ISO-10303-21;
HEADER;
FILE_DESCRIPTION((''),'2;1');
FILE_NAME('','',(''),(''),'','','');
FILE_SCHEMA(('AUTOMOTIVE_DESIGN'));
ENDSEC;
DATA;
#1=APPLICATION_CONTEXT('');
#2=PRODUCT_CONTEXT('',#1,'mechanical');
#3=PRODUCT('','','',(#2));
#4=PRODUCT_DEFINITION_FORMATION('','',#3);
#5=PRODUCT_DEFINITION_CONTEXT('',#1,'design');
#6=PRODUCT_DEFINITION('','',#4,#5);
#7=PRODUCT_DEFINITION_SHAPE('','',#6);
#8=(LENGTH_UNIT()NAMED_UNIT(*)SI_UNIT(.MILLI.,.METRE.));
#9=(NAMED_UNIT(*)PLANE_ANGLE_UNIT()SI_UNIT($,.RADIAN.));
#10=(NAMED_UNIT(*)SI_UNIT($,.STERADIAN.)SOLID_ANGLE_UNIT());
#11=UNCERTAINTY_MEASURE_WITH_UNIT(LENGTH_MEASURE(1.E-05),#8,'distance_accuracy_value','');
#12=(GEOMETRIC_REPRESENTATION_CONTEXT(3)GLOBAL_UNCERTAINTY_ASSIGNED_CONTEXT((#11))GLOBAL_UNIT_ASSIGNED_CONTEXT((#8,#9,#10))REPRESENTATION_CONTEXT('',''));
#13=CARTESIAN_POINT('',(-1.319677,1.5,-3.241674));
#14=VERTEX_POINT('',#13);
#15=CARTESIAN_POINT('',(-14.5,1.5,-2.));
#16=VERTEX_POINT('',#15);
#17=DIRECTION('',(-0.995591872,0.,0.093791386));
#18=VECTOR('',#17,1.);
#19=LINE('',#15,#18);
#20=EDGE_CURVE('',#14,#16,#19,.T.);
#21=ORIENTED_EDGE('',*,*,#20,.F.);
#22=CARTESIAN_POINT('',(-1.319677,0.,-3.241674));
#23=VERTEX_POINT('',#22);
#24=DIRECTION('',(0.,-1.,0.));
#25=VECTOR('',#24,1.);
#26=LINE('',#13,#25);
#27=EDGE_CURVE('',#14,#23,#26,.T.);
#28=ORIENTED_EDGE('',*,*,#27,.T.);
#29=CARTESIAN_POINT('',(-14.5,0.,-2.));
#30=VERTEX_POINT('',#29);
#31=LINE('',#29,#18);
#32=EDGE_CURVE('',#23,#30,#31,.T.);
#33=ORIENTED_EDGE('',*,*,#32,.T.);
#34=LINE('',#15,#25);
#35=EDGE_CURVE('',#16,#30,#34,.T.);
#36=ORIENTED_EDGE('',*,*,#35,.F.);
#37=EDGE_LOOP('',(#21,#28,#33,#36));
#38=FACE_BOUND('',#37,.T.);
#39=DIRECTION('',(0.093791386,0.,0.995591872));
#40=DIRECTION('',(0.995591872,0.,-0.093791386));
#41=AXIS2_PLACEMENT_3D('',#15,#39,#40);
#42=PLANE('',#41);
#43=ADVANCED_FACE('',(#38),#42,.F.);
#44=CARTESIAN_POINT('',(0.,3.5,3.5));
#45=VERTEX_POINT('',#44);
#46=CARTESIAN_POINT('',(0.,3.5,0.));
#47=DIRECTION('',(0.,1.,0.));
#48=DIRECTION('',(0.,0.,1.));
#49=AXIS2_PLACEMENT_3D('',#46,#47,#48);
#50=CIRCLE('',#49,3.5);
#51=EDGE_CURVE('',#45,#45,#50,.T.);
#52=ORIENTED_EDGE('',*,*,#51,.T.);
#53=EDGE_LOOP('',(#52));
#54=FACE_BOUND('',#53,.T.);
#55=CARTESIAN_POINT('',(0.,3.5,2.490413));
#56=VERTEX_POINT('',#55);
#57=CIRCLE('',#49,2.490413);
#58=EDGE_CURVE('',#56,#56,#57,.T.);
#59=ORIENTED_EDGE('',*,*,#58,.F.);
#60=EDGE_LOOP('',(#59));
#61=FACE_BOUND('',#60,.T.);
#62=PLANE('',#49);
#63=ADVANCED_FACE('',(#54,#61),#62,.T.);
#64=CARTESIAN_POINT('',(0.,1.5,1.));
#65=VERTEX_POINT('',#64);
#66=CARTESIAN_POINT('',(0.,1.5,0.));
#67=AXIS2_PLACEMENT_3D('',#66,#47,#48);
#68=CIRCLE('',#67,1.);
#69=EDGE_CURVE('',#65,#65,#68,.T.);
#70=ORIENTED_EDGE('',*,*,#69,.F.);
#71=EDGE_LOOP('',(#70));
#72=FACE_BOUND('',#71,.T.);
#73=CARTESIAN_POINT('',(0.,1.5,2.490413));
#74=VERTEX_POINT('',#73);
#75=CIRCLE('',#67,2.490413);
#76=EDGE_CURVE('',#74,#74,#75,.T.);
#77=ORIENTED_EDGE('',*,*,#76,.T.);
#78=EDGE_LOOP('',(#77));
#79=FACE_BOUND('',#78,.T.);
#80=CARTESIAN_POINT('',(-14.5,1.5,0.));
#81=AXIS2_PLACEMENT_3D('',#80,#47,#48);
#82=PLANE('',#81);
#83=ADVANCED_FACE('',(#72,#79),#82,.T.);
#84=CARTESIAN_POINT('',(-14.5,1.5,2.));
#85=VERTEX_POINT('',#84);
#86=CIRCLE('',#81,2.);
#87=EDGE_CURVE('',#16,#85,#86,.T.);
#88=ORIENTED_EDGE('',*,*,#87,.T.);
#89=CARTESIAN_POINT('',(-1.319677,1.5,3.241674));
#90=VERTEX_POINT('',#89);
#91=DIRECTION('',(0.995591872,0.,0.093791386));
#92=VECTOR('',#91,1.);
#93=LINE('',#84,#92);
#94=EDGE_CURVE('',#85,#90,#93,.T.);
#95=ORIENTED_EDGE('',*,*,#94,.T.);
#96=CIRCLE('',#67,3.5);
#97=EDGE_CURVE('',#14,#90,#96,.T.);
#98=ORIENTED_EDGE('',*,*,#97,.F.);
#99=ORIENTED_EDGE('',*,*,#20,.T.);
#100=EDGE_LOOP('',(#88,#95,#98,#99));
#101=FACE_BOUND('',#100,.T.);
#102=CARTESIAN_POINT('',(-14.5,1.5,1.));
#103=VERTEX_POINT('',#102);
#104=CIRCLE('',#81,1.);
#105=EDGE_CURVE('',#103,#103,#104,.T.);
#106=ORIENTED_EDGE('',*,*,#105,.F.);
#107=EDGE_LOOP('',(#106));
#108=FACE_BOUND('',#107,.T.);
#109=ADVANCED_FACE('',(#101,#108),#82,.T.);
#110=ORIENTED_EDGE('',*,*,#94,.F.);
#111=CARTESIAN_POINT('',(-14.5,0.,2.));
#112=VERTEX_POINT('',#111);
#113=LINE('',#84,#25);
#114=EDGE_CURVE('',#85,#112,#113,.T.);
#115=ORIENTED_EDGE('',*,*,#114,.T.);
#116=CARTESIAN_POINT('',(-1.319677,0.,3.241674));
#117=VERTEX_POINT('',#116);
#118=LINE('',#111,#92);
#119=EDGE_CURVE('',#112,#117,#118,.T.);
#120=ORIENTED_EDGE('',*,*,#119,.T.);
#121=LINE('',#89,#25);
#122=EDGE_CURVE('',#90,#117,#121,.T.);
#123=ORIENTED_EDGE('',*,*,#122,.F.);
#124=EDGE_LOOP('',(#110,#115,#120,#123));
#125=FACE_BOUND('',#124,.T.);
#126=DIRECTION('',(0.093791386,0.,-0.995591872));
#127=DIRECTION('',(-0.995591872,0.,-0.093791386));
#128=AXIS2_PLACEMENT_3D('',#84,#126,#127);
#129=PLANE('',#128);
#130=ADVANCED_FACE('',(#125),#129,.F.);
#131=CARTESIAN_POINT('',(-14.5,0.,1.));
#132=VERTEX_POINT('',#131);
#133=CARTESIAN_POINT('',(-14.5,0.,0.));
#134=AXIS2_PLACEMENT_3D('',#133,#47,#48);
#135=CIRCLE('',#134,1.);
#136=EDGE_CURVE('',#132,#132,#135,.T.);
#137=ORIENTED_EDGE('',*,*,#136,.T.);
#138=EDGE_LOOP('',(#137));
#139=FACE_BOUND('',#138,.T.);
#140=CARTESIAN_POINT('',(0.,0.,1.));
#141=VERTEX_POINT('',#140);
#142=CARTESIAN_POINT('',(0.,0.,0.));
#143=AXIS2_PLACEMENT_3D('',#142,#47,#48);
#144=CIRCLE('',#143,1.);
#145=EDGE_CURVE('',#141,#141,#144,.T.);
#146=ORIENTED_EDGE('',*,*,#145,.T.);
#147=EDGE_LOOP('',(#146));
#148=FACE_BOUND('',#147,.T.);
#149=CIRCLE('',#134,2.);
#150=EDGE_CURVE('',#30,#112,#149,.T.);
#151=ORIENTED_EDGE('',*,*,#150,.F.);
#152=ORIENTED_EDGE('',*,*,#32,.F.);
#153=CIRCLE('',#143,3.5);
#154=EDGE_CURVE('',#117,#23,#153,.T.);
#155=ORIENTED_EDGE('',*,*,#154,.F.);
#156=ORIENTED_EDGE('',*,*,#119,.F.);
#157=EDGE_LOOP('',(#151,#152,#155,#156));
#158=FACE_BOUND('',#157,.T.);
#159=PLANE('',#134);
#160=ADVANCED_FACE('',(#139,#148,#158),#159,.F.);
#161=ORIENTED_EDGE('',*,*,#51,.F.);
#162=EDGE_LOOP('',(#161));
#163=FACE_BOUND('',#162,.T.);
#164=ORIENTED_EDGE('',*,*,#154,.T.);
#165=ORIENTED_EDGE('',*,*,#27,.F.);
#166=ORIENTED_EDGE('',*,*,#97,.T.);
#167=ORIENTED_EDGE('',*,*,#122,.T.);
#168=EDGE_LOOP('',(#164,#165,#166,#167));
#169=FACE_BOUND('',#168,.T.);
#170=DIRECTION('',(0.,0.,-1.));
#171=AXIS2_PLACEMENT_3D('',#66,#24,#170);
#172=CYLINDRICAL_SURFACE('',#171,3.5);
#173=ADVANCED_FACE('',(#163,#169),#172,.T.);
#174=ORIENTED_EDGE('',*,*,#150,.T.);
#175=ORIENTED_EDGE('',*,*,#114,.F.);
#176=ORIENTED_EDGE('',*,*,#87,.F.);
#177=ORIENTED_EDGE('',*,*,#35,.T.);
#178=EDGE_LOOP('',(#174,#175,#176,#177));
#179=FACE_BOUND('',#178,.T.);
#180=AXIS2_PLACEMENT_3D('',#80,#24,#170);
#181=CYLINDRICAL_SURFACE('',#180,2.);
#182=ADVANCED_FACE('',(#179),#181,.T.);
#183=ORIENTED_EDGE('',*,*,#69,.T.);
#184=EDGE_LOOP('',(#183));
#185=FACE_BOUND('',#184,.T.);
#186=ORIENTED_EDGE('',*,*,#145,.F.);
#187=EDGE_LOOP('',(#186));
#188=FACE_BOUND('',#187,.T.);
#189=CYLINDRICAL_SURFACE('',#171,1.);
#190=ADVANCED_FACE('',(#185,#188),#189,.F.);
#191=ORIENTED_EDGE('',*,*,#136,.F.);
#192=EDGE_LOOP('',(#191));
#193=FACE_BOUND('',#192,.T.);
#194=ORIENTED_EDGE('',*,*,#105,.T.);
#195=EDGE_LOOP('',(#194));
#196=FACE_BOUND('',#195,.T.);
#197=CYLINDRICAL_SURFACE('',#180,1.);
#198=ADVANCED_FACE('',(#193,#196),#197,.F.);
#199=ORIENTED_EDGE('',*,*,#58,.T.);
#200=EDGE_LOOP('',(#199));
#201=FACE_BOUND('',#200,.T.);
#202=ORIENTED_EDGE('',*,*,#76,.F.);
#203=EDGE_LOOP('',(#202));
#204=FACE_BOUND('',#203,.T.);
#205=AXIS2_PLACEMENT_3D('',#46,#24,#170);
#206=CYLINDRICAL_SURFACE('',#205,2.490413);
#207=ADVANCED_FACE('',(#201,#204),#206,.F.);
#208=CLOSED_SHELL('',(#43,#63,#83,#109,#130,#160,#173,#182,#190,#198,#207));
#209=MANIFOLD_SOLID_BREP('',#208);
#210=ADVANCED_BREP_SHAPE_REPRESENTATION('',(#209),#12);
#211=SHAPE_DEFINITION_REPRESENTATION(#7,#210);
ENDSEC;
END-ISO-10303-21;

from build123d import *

# Parameters (mm, degrees)
SKETCH_1_R      = 1
EXTRUDE_1_DEPTH = 1.5
SKETCH_3_R      = 3.5
SKETCH_3_R_2    = 2.490413186
EXTRUDE_2_DEPTH = 2


with BuildPart() as part:
    # 草图1 → 凸台-拉伸1 (new body)
    with BuildSketch(Plane(origin=(0, 0, 0), x_dir=(1, 0, 0), z_dir=(0, 1, 0))):
        with BuildLine():
            Line((-14.5, 2), (-1.319677425, 3.241674181))
            ThreePointArc((-1.319677425, 3.241674181), (3.5, 0), (-1.319677425, -3.241674181))
            Line((-1.319677425, -3.241674181), (-14.5, -2))
            ThreePointArc((-14.5, -2), (-16.5, 0), (-14.5, 2))
        make_face()
        with Locations(Location((-14.5, 0, 0), (0, 0, 270))):
            Circle(SKETCH_1_R, mode=Mode.SUBTRACT)
        with Locations(Location((0, 0, 0), (0, 0, 270))):
            Circle(SKETCH_1_R, mode=Mode.SUBTRACT)
    extrude(amount=EXTRUDE_1_DEPTH)

    # 草图3 → 凸台-拉伸2 (add)
    with BuildSketch(Plane(origin=(0, 1.5, 0), x_dir=(1, 0, 0), z_dir=(0, 1, 0))):
        with Locations(Location((0, 0, 0), (0, 0, 112.151115012))):
            Circle(SKETCH_3_R)
        with Locations(Location((0, 0, 0), (0, 0, 270))):
            Circle(SKETCH_3_R_2, mode=Mode.SUBTRACT)
    extrude(amount=EXTRUDE_2_DEPTH)


solid = part.part
